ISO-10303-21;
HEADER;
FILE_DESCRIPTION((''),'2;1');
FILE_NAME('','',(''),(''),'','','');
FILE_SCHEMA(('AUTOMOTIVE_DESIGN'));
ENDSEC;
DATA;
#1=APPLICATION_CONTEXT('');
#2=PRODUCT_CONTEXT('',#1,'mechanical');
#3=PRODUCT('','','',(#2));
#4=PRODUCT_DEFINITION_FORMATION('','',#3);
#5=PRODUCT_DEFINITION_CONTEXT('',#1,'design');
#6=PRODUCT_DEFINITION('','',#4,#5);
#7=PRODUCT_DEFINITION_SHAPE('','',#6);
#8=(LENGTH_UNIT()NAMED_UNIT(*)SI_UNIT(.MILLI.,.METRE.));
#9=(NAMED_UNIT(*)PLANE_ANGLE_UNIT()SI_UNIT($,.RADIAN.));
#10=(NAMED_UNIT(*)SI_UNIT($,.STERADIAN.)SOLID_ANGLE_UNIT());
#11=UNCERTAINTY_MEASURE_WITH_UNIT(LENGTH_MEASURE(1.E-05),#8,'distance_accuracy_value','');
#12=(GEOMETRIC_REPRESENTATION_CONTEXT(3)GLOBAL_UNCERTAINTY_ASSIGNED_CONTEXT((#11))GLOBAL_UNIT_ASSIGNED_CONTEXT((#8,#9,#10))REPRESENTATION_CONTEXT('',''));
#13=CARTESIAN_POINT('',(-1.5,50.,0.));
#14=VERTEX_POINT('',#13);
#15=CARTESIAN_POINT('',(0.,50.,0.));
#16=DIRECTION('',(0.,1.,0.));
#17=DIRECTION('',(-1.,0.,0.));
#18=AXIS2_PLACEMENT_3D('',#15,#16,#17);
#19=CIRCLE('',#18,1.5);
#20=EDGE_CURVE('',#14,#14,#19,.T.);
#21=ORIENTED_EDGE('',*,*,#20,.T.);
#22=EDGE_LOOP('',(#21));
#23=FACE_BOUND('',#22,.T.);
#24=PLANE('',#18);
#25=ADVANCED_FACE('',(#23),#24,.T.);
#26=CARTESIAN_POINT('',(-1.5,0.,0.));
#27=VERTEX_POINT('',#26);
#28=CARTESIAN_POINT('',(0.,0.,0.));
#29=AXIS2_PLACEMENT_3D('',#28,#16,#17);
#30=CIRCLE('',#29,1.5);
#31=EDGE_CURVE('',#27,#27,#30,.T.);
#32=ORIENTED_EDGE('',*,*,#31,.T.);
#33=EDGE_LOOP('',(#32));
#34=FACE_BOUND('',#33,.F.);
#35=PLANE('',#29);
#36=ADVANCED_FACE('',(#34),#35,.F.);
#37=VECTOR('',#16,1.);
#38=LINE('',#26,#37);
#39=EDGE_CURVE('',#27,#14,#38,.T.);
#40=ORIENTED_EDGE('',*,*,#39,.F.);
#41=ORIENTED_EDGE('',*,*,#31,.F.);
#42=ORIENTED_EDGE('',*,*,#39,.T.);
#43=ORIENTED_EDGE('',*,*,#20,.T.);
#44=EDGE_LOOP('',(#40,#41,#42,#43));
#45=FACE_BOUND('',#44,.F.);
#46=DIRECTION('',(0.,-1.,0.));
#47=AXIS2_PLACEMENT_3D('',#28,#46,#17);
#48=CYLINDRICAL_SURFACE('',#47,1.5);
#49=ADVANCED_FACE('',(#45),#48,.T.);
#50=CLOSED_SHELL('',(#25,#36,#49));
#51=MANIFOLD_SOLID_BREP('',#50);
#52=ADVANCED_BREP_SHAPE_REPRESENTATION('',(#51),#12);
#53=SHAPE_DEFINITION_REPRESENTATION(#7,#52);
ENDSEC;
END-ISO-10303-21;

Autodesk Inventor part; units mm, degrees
ref_plane "YZ Plane" through (0, 0, 0) normal (1, 0, 0) x (0, 1, 0)
ref_plane "XZ Plane" through (0, 0, 0) normal (0, 1, 0) x (-1, 0, 0)
ref_plane "XY Plane" through (0, 0, 0) normal (0, 0, 1) x (1, 0, 0)
sketch "Sketch1" plane through (0, 0, 0) normal (0, 1, 0) x (-1, 0, 0)
  circle A0 centre (0, 0) radius 1.5
  dimension "d0" = 3
extrude "Extrusion1" add sketch "Sketch1" along normal blind 50
properties part number "Minute hand shaft"
